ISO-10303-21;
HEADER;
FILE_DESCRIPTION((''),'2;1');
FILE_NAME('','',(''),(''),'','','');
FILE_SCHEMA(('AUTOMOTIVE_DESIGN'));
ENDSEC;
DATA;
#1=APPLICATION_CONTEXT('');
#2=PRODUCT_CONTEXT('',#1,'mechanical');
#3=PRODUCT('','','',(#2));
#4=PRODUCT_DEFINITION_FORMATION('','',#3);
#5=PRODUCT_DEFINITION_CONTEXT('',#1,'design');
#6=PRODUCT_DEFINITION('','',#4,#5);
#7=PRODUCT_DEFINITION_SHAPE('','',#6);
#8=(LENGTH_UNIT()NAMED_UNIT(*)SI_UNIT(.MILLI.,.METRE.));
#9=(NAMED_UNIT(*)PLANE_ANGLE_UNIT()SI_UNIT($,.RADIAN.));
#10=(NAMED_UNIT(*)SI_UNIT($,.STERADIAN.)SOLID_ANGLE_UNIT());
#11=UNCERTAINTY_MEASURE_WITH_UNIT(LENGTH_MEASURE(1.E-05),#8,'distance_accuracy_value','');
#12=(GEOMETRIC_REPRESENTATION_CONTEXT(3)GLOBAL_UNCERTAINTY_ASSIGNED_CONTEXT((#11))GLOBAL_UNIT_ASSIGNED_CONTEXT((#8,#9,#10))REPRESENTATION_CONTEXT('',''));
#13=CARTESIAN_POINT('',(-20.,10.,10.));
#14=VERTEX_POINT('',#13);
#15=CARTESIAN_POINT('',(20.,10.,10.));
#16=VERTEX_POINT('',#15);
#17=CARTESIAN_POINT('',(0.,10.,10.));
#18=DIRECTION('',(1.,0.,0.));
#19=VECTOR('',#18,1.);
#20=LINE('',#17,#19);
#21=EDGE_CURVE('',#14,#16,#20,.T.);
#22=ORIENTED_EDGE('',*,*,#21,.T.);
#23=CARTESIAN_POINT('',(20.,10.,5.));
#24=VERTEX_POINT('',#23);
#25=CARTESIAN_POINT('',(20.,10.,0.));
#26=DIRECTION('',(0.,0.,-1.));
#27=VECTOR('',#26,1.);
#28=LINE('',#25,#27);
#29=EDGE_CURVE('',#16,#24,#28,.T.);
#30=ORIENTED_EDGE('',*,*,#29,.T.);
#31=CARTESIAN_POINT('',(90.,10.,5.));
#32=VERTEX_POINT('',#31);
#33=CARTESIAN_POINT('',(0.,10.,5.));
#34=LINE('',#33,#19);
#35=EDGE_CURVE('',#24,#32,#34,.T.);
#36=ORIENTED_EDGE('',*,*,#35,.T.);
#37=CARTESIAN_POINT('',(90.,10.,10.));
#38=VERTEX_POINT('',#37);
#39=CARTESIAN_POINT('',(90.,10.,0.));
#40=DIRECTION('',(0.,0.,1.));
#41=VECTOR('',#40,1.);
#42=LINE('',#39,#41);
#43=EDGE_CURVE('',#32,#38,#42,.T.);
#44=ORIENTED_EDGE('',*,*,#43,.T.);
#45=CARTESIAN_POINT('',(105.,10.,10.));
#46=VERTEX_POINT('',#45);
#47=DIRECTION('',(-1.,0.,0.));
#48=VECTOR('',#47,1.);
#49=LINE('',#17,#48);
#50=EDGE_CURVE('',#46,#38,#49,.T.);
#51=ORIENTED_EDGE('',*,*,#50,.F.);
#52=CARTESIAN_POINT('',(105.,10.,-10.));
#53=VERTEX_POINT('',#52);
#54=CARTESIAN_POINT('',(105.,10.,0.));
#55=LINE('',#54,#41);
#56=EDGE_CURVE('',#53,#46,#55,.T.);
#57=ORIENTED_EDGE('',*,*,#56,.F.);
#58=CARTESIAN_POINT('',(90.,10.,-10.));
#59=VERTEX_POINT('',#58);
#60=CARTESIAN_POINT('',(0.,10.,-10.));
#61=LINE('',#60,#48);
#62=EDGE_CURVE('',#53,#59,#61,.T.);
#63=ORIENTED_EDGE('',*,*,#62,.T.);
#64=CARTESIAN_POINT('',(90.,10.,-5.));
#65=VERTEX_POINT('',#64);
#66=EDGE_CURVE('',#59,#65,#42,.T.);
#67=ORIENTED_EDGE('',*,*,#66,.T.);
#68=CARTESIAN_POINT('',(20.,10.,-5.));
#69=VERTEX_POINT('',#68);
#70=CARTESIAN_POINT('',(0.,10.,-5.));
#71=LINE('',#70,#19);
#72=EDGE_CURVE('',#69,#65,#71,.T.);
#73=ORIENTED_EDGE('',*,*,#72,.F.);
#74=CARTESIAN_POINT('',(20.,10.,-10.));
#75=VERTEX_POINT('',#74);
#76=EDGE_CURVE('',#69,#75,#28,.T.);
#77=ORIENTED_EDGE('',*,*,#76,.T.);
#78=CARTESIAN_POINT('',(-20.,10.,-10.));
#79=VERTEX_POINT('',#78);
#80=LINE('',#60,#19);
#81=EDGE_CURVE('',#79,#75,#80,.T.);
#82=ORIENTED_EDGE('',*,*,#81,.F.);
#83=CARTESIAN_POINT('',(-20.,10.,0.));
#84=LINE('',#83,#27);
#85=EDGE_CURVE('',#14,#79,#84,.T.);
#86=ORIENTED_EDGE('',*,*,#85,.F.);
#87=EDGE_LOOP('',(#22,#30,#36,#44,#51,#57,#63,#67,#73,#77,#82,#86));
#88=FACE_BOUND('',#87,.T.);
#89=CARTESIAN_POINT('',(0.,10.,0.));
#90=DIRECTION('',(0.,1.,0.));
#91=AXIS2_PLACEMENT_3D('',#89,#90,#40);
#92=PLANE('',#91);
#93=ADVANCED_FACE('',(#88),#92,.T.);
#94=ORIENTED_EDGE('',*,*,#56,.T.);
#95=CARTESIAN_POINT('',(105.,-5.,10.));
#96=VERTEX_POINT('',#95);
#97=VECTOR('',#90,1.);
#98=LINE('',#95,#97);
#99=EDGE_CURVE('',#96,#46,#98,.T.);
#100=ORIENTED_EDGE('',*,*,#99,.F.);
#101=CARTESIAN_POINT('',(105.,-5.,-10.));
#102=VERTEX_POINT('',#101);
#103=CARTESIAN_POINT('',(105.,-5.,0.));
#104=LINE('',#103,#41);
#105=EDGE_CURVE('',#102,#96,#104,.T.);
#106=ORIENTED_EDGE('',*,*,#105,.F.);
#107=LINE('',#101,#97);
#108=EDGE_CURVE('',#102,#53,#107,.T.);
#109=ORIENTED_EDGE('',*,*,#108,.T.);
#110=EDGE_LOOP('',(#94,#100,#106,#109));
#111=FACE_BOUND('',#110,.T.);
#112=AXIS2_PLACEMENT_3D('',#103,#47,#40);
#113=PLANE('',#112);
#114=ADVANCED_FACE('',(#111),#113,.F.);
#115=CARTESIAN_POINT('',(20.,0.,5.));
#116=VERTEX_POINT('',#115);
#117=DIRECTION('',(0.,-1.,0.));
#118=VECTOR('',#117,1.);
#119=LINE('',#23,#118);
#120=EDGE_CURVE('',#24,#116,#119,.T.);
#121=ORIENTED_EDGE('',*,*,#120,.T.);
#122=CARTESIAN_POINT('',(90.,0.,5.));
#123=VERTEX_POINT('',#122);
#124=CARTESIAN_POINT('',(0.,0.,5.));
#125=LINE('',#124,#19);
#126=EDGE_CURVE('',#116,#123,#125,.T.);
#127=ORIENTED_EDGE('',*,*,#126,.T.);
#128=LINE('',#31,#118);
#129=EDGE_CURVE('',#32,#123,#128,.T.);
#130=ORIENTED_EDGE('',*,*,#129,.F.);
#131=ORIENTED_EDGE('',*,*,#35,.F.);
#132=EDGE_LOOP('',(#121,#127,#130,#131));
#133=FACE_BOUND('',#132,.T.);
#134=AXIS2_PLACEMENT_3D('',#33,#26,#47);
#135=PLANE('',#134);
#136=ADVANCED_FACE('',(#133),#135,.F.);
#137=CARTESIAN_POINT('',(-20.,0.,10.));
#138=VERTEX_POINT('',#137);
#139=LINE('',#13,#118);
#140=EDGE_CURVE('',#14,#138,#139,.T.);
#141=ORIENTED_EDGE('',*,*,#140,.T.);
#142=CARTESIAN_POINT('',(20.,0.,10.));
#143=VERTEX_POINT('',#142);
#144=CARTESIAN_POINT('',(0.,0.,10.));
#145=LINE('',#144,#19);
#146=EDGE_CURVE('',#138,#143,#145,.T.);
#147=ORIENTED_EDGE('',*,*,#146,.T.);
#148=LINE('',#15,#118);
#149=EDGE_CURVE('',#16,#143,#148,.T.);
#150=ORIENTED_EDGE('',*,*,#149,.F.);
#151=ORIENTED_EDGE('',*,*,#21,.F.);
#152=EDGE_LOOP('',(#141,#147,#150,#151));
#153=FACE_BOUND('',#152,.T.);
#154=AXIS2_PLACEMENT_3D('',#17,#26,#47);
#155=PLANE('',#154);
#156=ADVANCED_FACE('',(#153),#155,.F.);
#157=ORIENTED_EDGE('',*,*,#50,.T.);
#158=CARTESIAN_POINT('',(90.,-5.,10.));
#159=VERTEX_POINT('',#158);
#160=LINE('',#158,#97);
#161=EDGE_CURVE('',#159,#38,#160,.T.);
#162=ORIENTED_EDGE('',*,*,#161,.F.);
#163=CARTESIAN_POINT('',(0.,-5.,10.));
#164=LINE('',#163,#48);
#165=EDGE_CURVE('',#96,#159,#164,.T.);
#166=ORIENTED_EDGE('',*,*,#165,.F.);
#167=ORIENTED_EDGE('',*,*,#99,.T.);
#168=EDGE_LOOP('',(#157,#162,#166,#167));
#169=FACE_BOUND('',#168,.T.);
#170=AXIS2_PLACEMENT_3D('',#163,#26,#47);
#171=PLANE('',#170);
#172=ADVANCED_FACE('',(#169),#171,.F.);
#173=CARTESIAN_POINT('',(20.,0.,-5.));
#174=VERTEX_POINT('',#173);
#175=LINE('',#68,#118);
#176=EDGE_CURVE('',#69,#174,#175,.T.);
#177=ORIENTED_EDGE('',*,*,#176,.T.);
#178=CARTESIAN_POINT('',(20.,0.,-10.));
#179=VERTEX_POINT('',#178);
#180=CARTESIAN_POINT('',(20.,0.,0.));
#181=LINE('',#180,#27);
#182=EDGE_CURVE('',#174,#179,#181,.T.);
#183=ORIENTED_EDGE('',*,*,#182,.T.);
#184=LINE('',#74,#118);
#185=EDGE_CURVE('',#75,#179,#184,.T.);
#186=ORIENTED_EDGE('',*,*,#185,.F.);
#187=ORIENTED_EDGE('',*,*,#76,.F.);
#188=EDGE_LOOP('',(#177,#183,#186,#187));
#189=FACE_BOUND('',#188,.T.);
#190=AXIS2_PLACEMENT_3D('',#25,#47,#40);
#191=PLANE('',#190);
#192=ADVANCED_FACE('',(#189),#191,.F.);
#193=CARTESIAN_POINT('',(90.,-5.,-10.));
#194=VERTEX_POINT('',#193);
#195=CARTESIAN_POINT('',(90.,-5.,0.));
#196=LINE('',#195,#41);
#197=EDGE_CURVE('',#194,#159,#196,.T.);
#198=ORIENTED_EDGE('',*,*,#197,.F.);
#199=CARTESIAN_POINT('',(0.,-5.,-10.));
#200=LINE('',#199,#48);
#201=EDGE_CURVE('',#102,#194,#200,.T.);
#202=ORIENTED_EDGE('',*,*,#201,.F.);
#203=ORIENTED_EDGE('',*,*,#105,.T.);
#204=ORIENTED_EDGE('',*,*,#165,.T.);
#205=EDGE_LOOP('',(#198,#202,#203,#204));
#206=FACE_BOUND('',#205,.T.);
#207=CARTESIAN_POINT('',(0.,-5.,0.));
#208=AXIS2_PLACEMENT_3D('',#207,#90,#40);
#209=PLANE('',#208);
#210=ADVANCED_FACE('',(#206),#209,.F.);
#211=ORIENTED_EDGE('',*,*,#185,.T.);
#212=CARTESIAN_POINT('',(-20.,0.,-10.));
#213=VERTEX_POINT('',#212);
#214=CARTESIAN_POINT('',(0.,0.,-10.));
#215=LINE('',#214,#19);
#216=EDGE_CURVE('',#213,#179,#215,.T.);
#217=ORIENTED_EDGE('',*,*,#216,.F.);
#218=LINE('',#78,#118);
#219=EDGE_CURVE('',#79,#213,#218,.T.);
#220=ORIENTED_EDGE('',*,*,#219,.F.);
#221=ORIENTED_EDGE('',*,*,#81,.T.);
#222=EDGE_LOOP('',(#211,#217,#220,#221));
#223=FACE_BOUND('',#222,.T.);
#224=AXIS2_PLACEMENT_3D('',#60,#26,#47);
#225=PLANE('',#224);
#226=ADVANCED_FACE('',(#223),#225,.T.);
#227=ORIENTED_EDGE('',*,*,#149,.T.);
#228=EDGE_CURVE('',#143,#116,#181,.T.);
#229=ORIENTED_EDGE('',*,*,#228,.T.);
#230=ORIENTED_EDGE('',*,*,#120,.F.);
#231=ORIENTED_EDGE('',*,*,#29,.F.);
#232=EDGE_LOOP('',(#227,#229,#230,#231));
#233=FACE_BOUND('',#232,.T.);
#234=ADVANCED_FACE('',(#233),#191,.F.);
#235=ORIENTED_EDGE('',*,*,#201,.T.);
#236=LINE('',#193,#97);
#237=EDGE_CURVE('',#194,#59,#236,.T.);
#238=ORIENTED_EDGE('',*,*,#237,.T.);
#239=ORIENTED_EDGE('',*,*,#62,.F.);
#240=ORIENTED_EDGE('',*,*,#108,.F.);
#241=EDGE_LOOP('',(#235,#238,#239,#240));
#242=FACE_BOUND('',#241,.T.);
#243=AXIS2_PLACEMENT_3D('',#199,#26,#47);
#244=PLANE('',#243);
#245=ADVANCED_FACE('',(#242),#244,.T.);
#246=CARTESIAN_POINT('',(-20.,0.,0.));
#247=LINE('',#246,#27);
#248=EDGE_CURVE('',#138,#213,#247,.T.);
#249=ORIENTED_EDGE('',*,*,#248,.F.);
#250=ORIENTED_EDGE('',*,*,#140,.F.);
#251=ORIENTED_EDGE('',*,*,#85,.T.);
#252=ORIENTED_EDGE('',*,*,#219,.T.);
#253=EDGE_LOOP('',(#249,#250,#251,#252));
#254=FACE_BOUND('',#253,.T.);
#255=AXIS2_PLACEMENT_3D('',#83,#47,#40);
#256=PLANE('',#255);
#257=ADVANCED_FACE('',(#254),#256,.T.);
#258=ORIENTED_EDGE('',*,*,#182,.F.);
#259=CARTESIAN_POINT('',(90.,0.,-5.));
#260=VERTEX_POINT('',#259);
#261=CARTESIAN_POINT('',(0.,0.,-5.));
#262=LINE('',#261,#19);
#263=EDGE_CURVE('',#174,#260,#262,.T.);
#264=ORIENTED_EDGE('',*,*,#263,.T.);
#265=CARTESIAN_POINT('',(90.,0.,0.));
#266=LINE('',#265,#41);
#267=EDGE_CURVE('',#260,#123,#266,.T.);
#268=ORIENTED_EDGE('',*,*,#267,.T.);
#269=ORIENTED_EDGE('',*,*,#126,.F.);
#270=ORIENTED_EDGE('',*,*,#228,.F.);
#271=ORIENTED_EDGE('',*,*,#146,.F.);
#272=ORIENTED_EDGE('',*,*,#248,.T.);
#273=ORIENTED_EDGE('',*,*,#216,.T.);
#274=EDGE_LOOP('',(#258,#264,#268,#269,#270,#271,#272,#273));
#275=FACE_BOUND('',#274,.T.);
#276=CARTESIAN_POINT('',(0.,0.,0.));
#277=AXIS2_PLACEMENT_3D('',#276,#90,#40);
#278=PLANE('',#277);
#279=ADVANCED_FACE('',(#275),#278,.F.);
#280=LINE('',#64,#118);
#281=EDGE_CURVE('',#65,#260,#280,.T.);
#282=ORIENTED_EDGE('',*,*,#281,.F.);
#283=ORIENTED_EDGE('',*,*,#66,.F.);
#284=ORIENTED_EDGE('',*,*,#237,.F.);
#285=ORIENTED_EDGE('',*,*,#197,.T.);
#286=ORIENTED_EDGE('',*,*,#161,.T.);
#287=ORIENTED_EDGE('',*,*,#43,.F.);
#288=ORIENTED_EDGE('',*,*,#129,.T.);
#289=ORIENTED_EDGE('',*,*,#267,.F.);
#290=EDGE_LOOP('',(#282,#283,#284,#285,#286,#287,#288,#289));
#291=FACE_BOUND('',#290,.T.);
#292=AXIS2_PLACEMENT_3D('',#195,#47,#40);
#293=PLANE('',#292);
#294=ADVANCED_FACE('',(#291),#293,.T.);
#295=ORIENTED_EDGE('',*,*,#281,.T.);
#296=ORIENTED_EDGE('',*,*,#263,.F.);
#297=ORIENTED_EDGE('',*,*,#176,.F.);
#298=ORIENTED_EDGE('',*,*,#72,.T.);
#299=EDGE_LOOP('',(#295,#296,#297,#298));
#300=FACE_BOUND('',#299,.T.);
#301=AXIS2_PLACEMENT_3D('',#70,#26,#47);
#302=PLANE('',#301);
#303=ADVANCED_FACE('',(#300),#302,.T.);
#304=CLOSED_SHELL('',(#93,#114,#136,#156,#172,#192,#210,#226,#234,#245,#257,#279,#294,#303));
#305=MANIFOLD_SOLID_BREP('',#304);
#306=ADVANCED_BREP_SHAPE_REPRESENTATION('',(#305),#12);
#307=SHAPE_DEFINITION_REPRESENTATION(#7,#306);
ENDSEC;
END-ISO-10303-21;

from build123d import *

# Parameters (mm, degrees)
SKETCH1_W           = 70
SKETCH1_H           = 10
SKETCH1_W_2         = 40
SKETCH1_H_2         = 20
BOSS_EXTRUDE1_DEPTH = 10
BOSS_EXTRUDE2_START = 10
BOSS_EXTRUDE2_DEPTH = 15


with BuildPart() as part:
    # Sketch1 → Boss-Extrude1 (new body)
    with BuildSketch(Plane(origin=(0, 0, 0), x_dir=(1, 0, 0), z_dir=(0, 1, 0))):
        with Locations((55, 0)):
            Rectangle(SKETCH1_W, SKETCH1_H)
        Rectangle(SKETCH1_W_2, SKETCH1_H_2)
    extrude(amount=BOSS_EXTRUDE1_DEPTH)

    # Sketch1<3> → Boss-Extrude2 (add)
    with BuildSketch(Plane(origin=(0, 0, 0), x_dir=(1, 0, 0), z_dir=(0, 1, 0)).offset(BOSS_EXTRUDE2_START)):
        Polygon((90, 5), (90, -5), (90, -10), (105, -10), (105, 10), (90, 10), align=None)
    extrude(amount=-BOSS_EXTRUDE2_DEPTH)


solid = part.part
